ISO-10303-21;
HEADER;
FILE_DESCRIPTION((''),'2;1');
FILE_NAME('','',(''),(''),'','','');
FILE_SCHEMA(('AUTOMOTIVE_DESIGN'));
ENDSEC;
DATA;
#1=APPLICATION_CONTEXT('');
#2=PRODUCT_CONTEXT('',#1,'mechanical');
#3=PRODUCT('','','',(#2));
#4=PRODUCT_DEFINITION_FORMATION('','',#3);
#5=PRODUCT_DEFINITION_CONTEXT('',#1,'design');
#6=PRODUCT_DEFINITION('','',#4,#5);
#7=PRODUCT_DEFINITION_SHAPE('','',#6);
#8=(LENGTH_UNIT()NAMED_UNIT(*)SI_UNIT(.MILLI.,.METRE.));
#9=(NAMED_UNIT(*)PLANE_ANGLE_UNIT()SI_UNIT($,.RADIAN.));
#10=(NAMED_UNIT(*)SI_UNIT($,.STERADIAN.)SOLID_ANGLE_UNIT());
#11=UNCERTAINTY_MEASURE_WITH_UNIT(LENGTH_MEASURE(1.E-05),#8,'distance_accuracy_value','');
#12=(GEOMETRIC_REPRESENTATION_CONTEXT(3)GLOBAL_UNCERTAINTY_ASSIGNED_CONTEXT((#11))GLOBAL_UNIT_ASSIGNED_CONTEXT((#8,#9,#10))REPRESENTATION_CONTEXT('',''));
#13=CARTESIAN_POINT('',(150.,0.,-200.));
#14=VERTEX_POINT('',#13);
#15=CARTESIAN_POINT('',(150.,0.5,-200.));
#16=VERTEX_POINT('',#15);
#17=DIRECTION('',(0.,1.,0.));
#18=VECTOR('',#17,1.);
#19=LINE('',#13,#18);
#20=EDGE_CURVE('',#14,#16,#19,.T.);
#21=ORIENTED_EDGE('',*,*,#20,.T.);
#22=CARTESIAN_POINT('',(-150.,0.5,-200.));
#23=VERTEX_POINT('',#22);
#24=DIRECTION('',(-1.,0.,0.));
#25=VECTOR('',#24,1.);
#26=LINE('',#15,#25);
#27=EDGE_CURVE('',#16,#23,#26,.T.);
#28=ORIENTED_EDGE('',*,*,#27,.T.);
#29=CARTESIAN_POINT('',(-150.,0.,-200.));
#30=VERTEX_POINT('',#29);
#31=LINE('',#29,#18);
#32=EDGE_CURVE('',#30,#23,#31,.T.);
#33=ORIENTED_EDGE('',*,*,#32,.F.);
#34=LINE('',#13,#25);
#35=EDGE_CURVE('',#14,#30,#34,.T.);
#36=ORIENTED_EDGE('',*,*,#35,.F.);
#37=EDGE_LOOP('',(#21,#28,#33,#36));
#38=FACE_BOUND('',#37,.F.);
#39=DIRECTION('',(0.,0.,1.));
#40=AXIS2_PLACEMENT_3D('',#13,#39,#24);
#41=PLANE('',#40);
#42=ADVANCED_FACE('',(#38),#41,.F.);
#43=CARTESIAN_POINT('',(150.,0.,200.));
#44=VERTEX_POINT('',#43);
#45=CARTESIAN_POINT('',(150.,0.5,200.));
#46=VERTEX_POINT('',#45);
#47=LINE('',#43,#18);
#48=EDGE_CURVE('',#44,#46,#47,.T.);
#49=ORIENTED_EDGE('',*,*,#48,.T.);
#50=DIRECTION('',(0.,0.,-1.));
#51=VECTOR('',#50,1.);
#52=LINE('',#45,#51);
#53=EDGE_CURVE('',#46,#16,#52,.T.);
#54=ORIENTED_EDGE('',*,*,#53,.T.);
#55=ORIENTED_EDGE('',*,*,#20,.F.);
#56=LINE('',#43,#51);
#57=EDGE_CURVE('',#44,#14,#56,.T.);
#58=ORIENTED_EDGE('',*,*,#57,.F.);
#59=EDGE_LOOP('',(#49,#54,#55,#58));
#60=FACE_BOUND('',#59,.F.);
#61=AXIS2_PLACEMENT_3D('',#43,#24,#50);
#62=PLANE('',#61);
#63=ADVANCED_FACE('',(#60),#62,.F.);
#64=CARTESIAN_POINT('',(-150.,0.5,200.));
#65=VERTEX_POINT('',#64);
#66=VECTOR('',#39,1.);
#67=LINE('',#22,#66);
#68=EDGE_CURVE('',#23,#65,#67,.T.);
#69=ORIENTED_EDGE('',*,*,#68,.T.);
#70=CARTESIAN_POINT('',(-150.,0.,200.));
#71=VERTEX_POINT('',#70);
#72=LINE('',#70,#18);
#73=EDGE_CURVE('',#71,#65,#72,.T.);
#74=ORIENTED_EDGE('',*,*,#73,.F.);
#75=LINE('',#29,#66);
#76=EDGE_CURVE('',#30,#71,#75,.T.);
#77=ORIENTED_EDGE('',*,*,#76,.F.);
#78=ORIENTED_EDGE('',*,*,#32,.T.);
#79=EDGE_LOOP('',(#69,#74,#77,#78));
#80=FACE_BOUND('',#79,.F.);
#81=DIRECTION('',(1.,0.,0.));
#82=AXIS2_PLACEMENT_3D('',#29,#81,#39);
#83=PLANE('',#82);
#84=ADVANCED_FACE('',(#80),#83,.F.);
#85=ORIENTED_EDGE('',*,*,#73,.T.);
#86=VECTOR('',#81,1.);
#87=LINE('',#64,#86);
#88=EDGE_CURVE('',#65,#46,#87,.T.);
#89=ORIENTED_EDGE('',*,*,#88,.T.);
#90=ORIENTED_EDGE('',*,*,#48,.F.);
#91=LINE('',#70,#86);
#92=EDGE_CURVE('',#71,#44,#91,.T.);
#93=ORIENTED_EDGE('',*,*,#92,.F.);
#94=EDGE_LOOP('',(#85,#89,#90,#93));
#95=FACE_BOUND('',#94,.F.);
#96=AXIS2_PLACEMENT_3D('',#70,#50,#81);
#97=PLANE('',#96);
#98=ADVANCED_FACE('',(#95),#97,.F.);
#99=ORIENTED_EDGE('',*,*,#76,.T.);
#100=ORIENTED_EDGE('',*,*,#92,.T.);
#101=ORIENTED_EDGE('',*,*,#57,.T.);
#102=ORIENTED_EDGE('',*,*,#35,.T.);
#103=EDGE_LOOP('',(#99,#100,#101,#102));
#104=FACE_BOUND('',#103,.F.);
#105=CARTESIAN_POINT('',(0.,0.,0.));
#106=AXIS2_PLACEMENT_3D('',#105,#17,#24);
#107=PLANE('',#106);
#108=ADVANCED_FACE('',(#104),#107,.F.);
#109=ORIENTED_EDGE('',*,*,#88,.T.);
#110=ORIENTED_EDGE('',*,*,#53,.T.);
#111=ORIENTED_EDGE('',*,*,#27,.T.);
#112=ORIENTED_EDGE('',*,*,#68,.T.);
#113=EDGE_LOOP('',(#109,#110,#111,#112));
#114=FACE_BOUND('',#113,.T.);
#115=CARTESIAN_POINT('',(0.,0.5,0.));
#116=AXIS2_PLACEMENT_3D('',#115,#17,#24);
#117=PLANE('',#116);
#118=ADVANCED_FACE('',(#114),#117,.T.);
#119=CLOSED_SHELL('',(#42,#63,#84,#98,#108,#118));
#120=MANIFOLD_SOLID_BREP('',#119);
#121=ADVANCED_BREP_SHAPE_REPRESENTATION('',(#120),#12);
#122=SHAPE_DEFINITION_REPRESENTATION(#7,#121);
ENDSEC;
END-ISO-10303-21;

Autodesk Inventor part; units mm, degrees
ref_plane "YZ Plane" through (0, 0, 0) normal (1, 0, 0) x (0, 1, 0)
ref_plane "XZ Plane" through (0, 0, 0) normal (0, 1, 0) x (-1, 0, 0)
ref_plane "XY Plane" through (0, 0, 0) normal (0, 0, 1) x (1, 0, 0)
sketch "スケッチ1" plane through (0, 0, 0) normal (0, 1, 0) x (-1, 0, 0)
  line L0 (150, 200) -> (-150, 200)
  line L1 (-150, 200) -> (-150, -200)
  line L2 (-150, -200) -> (150, -200)
  line L3 (150, -200) -> (150, 200)
  line L4 (150, 200) -> (-150, -200) construction
  line L5 (-150, 200) -> (150, -200) construction
  point P0 (0, 0)
  dimension "d0" = 400
  dimension "d1" = 300
extrude "押し出し1" add sketch "スケッチ1" along normal blind 0.5
properties part number "field_plate_SUS4301"
